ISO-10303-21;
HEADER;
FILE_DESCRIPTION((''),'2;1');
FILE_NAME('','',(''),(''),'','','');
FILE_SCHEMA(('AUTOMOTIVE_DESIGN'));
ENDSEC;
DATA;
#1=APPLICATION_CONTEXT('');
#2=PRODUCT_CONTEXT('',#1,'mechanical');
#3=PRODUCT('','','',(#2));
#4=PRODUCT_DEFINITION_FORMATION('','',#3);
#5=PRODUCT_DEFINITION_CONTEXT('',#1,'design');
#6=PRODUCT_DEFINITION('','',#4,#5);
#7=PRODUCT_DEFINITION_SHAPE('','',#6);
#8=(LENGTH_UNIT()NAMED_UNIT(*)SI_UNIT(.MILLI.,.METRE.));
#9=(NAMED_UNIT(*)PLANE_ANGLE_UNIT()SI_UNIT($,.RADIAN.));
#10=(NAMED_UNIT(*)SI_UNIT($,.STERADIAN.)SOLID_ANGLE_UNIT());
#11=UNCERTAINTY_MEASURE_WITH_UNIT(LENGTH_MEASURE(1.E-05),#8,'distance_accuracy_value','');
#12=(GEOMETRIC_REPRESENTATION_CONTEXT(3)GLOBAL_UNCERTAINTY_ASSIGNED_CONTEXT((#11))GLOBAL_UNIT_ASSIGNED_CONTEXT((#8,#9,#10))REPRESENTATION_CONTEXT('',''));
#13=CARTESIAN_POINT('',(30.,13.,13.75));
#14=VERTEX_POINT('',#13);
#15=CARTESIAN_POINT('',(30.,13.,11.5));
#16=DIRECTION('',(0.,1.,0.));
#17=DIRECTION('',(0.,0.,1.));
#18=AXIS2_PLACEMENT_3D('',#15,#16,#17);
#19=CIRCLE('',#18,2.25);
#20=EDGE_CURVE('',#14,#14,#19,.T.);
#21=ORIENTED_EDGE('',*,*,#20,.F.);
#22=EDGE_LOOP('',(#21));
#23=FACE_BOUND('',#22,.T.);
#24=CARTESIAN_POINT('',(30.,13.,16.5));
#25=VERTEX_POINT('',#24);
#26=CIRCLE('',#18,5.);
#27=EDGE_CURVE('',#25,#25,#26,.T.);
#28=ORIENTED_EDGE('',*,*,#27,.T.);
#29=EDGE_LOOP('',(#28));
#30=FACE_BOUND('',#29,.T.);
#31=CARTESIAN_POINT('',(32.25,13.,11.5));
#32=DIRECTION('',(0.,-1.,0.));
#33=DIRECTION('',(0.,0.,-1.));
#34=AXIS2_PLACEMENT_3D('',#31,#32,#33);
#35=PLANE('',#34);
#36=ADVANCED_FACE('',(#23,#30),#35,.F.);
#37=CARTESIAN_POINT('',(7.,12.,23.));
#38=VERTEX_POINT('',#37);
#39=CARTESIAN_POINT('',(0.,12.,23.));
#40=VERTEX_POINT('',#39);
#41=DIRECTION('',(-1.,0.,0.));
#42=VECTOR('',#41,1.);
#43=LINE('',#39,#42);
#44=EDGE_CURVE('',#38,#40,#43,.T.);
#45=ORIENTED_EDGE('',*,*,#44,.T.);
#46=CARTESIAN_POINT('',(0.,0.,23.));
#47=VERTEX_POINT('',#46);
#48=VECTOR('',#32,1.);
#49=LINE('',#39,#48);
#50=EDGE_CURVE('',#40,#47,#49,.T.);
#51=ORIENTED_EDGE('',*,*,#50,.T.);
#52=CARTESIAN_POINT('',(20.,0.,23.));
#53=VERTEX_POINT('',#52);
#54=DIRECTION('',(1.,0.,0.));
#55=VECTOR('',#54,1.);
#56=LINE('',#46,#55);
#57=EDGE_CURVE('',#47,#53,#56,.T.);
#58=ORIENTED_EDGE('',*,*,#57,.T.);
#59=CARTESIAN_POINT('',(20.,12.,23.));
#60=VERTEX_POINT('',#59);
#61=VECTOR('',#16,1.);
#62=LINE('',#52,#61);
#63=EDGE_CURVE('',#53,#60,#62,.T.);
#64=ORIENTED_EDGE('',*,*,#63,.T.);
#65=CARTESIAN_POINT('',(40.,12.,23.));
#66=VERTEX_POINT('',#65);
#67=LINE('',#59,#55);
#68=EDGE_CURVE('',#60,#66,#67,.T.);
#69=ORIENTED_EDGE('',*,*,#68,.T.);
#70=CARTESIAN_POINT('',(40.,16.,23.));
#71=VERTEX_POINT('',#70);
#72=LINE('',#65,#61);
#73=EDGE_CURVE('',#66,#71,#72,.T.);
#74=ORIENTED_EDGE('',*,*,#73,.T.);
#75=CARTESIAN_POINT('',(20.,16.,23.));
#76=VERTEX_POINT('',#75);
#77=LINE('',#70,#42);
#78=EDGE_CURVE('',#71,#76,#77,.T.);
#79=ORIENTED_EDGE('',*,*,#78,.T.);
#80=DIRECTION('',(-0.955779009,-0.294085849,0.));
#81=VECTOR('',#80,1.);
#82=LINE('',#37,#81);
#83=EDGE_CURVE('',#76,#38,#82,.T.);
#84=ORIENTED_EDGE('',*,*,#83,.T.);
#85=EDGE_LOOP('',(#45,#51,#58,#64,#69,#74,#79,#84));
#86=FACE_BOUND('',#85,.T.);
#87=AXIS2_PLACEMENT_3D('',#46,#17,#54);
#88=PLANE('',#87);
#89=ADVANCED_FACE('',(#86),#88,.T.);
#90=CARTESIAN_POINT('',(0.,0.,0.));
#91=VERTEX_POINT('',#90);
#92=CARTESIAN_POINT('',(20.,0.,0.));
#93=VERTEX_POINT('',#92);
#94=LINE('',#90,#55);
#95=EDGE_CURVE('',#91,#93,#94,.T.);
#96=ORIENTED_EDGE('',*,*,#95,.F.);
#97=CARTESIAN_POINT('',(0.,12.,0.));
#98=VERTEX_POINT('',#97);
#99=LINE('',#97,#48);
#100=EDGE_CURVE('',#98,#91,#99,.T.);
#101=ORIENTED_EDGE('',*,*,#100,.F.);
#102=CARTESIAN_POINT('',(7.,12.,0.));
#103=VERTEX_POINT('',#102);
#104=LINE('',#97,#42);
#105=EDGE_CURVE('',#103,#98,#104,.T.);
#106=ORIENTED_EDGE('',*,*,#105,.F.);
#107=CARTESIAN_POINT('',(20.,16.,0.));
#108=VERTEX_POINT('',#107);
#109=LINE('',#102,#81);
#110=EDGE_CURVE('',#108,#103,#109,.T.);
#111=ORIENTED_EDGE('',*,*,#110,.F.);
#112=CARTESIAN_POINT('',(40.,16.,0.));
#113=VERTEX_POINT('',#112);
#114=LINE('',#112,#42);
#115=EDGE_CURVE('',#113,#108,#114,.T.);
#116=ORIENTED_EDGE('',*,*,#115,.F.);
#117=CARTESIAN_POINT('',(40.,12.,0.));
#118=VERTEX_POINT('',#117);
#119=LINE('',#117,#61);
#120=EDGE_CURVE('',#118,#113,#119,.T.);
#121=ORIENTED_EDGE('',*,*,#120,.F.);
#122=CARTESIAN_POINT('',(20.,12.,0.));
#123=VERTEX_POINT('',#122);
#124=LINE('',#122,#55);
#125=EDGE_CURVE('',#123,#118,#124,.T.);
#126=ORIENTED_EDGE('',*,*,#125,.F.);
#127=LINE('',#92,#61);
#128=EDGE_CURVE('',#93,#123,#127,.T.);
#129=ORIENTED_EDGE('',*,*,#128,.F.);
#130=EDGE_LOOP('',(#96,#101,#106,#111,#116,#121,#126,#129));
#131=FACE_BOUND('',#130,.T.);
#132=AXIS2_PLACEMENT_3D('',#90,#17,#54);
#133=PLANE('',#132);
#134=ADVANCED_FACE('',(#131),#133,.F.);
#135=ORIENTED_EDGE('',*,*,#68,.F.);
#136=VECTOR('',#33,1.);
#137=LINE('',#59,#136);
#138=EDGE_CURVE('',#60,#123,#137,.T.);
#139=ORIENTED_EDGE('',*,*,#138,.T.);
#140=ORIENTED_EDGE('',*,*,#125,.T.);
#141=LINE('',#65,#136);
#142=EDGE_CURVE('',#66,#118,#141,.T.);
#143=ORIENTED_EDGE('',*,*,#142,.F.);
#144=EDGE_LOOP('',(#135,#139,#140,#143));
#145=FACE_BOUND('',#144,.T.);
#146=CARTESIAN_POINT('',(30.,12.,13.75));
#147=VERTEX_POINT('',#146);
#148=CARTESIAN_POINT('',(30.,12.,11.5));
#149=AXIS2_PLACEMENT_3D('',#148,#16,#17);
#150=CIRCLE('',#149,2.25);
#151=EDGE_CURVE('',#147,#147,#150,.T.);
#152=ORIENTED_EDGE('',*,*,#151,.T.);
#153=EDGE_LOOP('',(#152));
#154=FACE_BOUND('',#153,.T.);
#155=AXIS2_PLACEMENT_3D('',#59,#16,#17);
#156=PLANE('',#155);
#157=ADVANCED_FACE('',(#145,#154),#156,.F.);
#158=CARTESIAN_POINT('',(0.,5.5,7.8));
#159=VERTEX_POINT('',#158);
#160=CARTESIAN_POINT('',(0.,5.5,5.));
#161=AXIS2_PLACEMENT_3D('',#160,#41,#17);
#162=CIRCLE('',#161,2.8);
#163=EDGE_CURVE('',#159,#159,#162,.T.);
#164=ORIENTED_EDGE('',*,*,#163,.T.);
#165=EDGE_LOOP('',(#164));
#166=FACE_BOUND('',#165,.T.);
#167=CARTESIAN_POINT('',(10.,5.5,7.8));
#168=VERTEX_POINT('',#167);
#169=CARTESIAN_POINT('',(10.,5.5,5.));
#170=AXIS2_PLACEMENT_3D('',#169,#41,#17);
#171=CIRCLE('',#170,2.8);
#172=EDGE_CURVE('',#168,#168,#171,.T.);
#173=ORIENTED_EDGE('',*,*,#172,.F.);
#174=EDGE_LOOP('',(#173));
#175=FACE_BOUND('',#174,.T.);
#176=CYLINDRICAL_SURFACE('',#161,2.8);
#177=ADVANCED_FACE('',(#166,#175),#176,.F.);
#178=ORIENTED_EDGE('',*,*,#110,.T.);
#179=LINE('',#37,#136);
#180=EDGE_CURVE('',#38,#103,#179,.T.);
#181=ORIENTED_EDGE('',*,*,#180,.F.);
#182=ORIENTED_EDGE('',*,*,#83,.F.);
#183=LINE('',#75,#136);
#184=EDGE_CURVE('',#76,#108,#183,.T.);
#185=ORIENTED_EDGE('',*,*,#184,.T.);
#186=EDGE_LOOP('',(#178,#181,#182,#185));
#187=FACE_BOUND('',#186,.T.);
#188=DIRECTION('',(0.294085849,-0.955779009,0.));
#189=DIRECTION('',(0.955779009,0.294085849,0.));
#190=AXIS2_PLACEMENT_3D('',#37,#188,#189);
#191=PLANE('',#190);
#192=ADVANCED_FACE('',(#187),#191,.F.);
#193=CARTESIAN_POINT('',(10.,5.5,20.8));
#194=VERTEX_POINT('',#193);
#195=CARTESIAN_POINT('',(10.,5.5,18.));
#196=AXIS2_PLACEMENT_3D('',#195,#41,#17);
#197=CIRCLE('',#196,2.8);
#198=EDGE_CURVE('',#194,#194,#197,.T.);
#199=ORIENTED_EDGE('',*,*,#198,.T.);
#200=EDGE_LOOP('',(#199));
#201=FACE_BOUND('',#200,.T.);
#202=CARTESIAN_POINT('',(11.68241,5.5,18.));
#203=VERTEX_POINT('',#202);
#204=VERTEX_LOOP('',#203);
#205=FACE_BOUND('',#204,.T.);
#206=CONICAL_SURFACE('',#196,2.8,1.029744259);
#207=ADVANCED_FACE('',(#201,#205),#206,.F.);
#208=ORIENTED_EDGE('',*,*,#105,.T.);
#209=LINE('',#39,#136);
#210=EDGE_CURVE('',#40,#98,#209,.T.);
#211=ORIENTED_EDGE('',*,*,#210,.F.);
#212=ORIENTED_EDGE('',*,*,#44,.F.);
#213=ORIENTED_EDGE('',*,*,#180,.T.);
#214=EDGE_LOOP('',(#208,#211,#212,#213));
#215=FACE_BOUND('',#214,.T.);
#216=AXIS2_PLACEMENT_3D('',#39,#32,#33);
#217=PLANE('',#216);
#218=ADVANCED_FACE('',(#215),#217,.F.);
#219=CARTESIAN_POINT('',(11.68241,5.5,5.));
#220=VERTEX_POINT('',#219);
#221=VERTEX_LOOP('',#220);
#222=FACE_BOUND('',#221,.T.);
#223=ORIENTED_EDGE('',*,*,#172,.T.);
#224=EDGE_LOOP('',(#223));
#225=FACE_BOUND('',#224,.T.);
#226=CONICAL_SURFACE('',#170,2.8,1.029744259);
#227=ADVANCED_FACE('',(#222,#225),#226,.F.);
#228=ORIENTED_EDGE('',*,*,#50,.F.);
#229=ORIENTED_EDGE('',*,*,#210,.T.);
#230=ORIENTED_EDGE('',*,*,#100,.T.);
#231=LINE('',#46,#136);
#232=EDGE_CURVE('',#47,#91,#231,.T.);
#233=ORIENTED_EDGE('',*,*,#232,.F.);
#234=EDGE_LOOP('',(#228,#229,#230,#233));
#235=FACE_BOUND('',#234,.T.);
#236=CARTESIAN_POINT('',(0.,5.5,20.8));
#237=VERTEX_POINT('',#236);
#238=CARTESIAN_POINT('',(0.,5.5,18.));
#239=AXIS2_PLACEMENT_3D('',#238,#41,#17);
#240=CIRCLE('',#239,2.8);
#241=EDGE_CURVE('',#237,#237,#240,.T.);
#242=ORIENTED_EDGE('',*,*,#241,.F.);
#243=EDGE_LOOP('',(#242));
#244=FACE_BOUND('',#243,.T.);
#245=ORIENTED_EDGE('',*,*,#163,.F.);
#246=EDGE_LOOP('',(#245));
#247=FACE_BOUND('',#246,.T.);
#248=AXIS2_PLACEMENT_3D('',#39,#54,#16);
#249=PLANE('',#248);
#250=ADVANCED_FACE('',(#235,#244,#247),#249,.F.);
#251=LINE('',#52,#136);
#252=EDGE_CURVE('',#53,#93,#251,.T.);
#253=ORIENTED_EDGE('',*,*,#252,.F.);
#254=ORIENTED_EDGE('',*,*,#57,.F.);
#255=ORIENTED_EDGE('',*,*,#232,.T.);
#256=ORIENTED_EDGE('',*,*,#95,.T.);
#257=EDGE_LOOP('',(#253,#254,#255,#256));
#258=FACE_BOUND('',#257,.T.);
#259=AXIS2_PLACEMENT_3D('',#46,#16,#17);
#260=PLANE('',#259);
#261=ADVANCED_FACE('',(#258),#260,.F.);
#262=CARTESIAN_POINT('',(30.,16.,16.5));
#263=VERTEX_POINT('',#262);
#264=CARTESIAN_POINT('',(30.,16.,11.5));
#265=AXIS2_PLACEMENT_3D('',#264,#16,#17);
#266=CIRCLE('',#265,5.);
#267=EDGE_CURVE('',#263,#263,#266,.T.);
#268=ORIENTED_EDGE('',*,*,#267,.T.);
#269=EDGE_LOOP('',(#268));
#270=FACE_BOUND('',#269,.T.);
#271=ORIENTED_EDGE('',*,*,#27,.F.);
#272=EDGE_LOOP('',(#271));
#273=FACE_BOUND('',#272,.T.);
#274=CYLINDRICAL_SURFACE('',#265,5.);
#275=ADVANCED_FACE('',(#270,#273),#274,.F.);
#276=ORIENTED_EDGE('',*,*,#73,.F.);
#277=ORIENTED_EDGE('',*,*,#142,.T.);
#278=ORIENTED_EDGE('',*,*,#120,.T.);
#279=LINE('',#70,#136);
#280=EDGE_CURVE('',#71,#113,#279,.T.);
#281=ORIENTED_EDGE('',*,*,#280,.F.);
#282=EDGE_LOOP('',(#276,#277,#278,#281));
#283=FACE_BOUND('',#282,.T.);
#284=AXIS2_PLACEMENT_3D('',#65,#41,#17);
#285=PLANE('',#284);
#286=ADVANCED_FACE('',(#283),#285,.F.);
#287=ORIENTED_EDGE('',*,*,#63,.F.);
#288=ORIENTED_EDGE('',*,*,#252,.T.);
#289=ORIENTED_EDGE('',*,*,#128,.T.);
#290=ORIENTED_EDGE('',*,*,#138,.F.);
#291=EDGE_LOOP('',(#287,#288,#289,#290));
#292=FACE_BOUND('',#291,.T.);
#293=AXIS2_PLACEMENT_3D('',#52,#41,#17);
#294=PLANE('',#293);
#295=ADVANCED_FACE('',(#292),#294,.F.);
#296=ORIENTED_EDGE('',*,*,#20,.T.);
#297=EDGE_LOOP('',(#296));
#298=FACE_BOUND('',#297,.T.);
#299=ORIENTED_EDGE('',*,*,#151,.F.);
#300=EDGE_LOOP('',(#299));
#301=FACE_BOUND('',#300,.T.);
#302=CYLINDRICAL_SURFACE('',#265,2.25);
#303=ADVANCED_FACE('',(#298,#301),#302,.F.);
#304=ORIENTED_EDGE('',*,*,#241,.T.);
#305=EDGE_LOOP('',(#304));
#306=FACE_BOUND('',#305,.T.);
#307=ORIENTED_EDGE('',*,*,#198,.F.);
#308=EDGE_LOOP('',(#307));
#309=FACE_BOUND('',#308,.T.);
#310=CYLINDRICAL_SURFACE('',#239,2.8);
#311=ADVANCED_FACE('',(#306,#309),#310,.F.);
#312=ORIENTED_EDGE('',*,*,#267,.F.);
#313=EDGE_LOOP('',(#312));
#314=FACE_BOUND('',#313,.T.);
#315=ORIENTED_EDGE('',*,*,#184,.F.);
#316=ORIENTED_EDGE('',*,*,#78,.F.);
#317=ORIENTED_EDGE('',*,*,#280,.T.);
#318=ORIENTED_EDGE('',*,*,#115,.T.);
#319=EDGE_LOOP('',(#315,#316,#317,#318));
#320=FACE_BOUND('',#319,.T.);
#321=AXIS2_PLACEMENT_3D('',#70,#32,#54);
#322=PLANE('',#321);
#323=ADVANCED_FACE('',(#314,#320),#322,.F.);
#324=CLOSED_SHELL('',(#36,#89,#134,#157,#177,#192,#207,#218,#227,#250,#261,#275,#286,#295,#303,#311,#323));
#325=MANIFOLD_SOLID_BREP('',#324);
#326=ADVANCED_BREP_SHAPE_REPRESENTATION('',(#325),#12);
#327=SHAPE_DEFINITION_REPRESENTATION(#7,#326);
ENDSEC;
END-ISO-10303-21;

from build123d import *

# Parameters (mm, degrees)
ESTRUSIONE_ESTRUSIONE1_DEPTH                         = 23
FORO_PER_VITE_M4_1_D                                 = 5.6
FORO_PER_VITE_M4_1_DEPTH                             = 10
FORO_PER_VITE_M4_1_TIP                               = 1.682409733
FORO_LAMATO_PER_BULLONE_M5_A_TESTA_ESAGO_D           = 4.5
FORO_LAMATO_PER_BULLONE_M5_A_TESTA_ESAGO_DEPTH       = 10
FORO_LAMATO_PER_BULLONE_M5_A_TESTA_ESAGO_CBORE_D     = 10
FORO_LAMATO_PER_BULLONE_M5_A_TESTA_ESAGO_CBORE_DEPTH = 3
FORO_LAMATO_PER_BULLONE_M5_A_TESTA_ESAGO_TIP         = 1.351936393


with BuildPart() as part:
    # Schizzo1 → Estrusione-Estrusione1 (new body)
    with BuildSketch(Plane.XY):
        Polygon((0, 0), (20, 0), (20, 12), (40, 12), (40, 16), (20, 16), (7, 12), (0, 12), align=None)
    extrude(amount=ESTRUSIONE_ESTRUSIONE1_DEPTH)

    # Foro per Vite M4-1
    with Locations(Plane(origin=(0, 5.5, 5), x_dir=(0, -1, 0), z_dir=(-1, 0, 0))):
        with Locations((0, 0), (0, 13)):
            Hole(FORO_PER_VITE_M4_1_D / 2, depth=FORO_PER_VITE_M4_1_DEPTH)
            with Locations((0, 0, -(FORO_PER_VITE_M4_1_DEPTH + FORO_PER_VITE_M4_1_TIP / 2))):  # 118° drill point
                Cone(0, FORO_PER_VITE_M4_1_D / 2, FORO_PER_VITE_M4_1_TIP, mode=Mode.SUBTRACT)

    # Foro lamato per Bullone M5 a testa esagonale-1
    with Locations(Plane(origin=(0, 16, 0), x_dir=(1, 0, 0), z_dir=(0, 1, 0))):
        with Locations((30, -11.5)):
            CounterBoreHole(FORO_LAMATO_PER_BULLONE_M5_A_TESTA_ESAGO_D / 2, FORO_LAMATO_PER_BULLONE_M5_A_TESTA_ESAGO_CBORE_D / 2, FORO_LAMATO_PER_BULLONE_M5_A_TESTA_ESAGO_CBORE_DEPTH, depth=FORO_LAMATO_PER_BULLONE_M5_A_TESTA_ESAGO_DEPTH)
            with Locations((0, 0, -(FORO_LAMATO_PER_BULLONE_M5_A_TESTA_ESAGO_DEPTH + FORO_LAMATO_PER_BULLONE_M5_A_TESTA_ESAGO_TIP / 2))):  # 118° drill point
                Cone(0, FORO_LAMATO_PER_BULLONE_M5_A_TESTA_ESAGO_D / 2, FORO_LAMATO_PER_BULLONE_M5_A_TESTA_ESAGO_TIP, mode=Mode.SUBTRACT)


solid = part.part
